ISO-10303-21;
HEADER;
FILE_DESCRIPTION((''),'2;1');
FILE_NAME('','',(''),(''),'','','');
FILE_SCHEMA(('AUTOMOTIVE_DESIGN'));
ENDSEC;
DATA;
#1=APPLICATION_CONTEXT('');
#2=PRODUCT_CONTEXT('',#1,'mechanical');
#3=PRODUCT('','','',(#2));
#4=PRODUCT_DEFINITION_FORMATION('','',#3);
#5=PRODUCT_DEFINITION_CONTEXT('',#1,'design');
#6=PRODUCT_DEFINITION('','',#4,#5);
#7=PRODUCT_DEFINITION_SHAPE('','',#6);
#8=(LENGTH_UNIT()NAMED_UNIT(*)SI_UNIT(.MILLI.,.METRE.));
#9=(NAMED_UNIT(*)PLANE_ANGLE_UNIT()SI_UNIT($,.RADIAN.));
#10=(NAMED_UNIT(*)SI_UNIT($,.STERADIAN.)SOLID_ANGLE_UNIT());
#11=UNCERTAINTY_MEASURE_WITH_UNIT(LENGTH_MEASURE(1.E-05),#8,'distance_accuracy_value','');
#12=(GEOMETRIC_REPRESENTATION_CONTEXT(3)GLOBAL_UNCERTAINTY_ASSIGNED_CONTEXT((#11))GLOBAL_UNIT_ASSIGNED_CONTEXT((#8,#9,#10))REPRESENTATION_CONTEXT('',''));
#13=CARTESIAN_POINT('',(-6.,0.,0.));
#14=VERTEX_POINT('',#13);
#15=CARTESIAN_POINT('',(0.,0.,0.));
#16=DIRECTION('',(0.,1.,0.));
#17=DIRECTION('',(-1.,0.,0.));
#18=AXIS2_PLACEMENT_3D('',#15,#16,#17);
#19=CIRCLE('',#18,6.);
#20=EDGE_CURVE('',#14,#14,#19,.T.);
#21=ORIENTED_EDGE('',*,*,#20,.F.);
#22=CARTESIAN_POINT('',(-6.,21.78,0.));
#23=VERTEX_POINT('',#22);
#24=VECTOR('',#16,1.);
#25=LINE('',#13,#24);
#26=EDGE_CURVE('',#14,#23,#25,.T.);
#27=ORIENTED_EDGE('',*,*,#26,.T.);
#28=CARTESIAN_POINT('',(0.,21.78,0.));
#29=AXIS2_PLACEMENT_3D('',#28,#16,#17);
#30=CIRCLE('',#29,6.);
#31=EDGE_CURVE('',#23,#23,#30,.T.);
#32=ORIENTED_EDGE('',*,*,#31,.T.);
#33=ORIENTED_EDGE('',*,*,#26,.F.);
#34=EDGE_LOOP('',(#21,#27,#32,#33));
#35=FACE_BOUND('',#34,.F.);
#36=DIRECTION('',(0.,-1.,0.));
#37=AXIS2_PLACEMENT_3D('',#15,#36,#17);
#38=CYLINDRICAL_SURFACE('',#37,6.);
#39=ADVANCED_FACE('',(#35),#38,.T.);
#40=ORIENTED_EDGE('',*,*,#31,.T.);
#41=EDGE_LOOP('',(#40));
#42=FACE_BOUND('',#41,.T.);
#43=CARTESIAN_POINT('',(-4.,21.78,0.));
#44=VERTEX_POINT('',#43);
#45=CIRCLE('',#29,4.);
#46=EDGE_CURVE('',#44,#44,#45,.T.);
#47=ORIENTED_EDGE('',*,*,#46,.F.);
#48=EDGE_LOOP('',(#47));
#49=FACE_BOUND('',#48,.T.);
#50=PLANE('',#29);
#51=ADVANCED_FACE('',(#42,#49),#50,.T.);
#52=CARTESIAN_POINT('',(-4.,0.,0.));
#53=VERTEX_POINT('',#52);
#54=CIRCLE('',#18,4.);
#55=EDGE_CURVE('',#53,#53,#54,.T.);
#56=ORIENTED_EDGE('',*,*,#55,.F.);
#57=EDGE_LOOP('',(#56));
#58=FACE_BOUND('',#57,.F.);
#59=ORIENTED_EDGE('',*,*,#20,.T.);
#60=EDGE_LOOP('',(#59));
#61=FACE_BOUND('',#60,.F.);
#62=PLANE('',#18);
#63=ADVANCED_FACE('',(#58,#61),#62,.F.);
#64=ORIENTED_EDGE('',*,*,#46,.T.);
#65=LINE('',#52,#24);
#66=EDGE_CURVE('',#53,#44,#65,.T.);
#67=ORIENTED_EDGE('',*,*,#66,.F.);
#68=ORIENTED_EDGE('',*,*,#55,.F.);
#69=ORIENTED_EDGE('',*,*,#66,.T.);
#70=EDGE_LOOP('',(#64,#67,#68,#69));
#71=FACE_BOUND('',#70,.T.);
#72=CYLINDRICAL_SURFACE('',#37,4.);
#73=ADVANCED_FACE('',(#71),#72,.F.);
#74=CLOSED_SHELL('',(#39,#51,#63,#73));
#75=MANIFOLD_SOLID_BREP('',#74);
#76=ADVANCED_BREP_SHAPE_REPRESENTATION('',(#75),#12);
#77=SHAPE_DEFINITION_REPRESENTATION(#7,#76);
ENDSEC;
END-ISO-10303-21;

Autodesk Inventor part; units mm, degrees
ref_plane "YZ Plane" through (0, 0, 0) normal (1, 0, 0) x (0, 1, 0)
ref_plane "XZ Plane" through (0, 0, 0) normal (0, 1, 0) x (-1, 0, 0)
ref_plane "XY Plane" through (0, 0, 0) normal (0, 0, 1) x (1, 0, 0)
sketch "Sketch1" plane through (0, 0, 0) normal (0, 1, 0) x (-1, 0, 0)
  circle A0 centre (0, 0) radius 4
  circle A1 centre (0, 0) radius 6
  dimension "d0" = 8
  dimension "d1" = 12
extrude "Extrusion1" add sketch "Sketch1" along normal blind 21.78
properties part number "spacer for 8mm axel"
